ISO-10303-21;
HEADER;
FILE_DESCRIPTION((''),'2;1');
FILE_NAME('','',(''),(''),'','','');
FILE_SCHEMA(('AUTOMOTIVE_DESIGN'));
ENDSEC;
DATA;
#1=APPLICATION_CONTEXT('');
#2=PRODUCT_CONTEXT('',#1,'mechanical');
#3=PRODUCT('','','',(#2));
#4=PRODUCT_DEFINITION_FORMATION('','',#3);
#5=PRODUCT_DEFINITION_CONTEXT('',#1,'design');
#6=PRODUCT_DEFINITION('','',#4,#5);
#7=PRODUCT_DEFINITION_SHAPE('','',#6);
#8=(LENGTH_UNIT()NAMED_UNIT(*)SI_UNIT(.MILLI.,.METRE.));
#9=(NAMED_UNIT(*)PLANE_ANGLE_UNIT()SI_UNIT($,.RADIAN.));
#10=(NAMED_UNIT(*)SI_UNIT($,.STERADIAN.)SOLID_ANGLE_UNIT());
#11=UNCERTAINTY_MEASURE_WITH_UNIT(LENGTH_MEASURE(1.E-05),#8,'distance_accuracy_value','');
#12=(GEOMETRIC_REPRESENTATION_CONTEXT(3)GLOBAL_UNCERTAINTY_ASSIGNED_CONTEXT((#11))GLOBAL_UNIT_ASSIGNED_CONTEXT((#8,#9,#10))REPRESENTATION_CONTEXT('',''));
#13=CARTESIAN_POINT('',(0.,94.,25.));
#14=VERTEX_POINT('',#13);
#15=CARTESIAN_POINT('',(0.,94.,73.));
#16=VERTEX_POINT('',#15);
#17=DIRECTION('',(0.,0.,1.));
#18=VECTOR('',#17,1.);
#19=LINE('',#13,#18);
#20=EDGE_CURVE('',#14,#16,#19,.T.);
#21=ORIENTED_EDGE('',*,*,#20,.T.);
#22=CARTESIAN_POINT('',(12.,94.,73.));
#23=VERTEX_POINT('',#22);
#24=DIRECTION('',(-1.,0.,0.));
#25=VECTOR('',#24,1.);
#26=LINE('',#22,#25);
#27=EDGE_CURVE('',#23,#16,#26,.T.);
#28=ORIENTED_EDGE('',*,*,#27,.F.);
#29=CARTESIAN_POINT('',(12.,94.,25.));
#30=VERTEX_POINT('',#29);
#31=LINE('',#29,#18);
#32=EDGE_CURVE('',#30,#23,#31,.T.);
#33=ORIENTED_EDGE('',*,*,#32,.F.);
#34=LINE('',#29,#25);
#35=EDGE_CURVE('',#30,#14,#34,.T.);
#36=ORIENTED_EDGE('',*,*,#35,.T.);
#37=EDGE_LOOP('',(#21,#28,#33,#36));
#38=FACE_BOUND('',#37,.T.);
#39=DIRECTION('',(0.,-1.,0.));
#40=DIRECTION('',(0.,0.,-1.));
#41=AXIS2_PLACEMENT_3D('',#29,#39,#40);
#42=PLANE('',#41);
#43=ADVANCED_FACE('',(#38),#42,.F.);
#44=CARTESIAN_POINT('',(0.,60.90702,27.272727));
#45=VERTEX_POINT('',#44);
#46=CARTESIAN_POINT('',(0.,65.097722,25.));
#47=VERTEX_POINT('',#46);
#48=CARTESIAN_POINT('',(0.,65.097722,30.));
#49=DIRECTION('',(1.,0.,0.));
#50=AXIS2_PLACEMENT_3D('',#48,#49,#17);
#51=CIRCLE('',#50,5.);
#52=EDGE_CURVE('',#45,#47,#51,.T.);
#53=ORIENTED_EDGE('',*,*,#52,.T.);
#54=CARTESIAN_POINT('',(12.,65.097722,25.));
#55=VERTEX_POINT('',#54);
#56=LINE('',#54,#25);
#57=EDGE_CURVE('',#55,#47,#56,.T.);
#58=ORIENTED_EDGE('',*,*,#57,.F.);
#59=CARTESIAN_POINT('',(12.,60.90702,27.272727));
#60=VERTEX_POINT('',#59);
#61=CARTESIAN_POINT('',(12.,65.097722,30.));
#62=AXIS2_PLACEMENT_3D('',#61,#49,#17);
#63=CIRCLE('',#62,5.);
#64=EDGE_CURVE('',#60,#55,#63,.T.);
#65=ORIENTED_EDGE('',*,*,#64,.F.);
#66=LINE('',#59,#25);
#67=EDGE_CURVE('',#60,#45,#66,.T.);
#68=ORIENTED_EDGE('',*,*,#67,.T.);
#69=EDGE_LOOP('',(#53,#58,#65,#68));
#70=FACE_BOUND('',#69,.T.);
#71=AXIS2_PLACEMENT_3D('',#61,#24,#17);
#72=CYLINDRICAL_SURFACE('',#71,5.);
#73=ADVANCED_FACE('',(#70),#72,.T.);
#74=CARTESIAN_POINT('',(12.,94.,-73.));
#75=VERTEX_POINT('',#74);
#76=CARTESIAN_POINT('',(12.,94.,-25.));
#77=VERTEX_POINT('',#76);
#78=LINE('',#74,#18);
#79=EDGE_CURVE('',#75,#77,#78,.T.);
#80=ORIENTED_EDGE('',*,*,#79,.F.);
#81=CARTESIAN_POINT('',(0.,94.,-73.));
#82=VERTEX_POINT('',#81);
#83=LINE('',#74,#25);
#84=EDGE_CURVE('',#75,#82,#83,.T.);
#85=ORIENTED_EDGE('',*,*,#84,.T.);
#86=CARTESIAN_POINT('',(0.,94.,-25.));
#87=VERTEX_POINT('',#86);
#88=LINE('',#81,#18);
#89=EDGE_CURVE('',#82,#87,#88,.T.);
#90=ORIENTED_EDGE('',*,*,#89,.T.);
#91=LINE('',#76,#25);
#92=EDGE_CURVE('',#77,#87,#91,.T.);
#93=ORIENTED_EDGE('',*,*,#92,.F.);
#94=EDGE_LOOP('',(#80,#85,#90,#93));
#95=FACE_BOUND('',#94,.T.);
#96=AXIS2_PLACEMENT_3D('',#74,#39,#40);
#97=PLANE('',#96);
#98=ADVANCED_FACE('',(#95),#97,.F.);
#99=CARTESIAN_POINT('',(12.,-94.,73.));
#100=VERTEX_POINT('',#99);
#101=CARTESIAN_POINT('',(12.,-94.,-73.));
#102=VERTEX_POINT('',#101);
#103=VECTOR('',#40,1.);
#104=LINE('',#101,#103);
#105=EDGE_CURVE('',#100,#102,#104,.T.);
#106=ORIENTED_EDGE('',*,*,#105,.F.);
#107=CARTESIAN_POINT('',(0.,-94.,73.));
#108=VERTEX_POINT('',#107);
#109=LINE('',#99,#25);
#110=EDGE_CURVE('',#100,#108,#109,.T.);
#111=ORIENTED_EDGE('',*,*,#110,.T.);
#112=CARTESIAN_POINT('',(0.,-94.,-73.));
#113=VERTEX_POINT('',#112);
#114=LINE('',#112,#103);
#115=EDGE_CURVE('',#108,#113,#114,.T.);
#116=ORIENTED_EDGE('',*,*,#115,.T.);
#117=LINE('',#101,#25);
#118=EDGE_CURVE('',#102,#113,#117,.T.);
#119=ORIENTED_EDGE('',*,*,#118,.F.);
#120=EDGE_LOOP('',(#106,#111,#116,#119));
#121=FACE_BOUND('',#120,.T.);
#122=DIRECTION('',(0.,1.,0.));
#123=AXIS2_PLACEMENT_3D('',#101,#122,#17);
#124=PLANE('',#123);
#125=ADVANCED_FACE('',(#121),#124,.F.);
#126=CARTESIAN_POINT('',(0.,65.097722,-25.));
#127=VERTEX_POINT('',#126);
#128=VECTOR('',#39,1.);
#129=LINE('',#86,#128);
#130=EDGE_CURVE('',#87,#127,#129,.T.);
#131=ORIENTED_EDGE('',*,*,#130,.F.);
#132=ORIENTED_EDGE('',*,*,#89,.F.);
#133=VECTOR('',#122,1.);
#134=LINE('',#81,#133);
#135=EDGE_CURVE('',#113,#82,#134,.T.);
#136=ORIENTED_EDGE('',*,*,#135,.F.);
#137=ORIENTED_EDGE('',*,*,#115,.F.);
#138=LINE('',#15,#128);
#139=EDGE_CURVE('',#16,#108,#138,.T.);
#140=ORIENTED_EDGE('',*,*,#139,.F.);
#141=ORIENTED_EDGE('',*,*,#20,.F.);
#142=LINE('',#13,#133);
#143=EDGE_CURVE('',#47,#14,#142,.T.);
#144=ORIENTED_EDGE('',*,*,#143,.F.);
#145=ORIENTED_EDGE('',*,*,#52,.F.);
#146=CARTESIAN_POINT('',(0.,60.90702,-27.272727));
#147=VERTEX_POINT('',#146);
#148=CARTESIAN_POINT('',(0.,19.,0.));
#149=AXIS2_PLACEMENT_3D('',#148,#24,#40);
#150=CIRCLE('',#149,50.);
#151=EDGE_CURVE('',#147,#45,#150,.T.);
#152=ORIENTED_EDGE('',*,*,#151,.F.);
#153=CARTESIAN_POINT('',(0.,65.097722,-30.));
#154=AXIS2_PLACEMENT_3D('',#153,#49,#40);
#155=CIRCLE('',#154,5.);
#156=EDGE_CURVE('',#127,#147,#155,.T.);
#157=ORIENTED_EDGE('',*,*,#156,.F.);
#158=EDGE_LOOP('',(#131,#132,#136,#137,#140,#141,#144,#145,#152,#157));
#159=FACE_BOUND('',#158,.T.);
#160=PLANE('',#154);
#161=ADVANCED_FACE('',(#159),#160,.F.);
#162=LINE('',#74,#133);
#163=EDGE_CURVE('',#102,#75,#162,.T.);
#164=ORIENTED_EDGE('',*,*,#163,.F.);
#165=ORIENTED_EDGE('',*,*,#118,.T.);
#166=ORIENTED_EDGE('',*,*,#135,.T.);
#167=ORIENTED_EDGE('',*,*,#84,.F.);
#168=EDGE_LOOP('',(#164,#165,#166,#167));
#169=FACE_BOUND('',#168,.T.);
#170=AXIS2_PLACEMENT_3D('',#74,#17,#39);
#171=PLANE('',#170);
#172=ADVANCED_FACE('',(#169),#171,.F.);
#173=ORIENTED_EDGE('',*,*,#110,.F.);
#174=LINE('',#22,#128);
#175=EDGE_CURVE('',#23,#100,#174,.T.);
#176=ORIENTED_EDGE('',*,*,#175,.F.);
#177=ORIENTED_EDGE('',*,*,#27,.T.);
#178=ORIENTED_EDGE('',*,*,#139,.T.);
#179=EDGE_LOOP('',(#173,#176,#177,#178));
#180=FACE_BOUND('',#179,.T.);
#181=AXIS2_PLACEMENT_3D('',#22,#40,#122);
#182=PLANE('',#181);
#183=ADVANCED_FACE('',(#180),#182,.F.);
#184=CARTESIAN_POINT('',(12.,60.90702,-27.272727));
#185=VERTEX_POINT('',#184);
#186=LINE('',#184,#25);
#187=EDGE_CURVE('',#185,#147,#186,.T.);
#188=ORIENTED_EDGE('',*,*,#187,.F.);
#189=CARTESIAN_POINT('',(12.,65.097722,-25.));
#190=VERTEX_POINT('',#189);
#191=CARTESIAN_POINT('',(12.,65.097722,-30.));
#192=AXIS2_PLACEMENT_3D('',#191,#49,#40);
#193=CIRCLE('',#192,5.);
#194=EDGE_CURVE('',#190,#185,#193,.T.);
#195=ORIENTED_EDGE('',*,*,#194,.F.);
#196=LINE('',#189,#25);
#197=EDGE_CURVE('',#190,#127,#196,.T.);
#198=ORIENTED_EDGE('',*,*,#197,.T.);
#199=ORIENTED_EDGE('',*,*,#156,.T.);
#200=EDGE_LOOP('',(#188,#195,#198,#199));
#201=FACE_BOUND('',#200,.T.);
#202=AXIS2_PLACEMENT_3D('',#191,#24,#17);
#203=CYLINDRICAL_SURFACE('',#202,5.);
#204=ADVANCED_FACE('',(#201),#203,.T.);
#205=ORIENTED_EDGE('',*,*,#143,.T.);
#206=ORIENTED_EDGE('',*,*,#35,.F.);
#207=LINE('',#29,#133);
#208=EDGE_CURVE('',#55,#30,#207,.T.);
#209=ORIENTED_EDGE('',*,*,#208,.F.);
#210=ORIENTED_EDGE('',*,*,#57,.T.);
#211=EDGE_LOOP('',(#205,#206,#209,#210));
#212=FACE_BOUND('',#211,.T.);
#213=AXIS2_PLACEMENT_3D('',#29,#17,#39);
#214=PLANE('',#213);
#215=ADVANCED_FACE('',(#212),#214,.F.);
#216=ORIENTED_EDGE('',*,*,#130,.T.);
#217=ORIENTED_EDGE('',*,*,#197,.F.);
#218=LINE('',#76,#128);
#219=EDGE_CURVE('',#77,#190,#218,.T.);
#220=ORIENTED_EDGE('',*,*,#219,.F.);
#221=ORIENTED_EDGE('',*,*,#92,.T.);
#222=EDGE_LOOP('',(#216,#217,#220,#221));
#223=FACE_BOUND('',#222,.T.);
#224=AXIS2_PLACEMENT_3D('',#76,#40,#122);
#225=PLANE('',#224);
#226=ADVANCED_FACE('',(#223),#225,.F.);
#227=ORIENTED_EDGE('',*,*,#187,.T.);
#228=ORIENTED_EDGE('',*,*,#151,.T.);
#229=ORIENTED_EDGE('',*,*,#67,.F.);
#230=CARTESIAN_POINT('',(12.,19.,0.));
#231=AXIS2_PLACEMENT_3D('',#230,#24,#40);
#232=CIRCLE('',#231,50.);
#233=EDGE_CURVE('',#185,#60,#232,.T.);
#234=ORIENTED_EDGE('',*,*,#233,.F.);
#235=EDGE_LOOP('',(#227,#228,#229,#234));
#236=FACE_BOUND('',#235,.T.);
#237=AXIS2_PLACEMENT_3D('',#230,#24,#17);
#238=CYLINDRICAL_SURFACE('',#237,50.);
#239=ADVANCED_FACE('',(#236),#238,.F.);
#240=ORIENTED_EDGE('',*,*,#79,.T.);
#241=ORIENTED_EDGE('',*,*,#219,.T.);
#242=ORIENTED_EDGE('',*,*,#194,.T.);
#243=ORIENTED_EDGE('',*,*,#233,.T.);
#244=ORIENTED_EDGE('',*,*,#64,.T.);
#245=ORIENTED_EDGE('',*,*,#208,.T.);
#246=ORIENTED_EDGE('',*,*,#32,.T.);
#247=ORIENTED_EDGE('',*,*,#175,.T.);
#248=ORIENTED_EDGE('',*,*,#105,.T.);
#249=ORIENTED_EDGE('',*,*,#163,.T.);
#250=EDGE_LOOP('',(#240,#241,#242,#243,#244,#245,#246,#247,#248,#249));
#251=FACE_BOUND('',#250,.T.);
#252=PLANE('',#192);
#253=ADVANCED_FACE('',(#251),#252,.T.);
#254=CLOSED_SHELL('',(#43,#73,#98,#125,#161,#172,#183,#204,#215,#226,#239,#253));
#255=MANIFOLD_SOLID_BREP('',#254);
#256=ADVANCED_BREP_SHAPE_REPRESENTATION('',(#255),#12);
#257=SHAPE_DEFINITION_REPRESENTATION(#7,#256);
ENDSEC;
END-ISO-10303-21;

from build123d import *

# Parameters (mm, degrees)
BOSS_EXTRUDE1_DEPTH = 12


with BuildPart() as part:
    # Sketch1 → Boss-Extrude1 (new body)
    with BuildSketch(Plane(origin=(0, 0, 0), x_dir=(0, 0, -1), z_dir=(1, 0, 0))):
        with BuildLine():
            Line((73, 94), (25, 94))
            Line((25, 94), (25, 65.097722286))
            ThreePointArc((25, 65.097722286), (25.604754635, 62.714065813), (27.272727273, 60.90702026))
            ThreePointArc((27.272727273, 60.90702026), (0, -31), (-27.272727273, 60.90702026))
            ThreePointArc((-27.272727273, 60.90702026), (-25.604754635, 62.714065813), (-25, 65.097722286))
            Line((-25, 65.097722286), (-25, 94))
            Line((-25, 94), (-73, 94))
            Line((-73, 94), (-73, -94))
            Line((-73, -94), (73, -94))
            Line((73, -94), (73, 94))
        make_face()
    extrude(amount=BOSS_EXTRUDE1_DEPTH)


solid = part.part
